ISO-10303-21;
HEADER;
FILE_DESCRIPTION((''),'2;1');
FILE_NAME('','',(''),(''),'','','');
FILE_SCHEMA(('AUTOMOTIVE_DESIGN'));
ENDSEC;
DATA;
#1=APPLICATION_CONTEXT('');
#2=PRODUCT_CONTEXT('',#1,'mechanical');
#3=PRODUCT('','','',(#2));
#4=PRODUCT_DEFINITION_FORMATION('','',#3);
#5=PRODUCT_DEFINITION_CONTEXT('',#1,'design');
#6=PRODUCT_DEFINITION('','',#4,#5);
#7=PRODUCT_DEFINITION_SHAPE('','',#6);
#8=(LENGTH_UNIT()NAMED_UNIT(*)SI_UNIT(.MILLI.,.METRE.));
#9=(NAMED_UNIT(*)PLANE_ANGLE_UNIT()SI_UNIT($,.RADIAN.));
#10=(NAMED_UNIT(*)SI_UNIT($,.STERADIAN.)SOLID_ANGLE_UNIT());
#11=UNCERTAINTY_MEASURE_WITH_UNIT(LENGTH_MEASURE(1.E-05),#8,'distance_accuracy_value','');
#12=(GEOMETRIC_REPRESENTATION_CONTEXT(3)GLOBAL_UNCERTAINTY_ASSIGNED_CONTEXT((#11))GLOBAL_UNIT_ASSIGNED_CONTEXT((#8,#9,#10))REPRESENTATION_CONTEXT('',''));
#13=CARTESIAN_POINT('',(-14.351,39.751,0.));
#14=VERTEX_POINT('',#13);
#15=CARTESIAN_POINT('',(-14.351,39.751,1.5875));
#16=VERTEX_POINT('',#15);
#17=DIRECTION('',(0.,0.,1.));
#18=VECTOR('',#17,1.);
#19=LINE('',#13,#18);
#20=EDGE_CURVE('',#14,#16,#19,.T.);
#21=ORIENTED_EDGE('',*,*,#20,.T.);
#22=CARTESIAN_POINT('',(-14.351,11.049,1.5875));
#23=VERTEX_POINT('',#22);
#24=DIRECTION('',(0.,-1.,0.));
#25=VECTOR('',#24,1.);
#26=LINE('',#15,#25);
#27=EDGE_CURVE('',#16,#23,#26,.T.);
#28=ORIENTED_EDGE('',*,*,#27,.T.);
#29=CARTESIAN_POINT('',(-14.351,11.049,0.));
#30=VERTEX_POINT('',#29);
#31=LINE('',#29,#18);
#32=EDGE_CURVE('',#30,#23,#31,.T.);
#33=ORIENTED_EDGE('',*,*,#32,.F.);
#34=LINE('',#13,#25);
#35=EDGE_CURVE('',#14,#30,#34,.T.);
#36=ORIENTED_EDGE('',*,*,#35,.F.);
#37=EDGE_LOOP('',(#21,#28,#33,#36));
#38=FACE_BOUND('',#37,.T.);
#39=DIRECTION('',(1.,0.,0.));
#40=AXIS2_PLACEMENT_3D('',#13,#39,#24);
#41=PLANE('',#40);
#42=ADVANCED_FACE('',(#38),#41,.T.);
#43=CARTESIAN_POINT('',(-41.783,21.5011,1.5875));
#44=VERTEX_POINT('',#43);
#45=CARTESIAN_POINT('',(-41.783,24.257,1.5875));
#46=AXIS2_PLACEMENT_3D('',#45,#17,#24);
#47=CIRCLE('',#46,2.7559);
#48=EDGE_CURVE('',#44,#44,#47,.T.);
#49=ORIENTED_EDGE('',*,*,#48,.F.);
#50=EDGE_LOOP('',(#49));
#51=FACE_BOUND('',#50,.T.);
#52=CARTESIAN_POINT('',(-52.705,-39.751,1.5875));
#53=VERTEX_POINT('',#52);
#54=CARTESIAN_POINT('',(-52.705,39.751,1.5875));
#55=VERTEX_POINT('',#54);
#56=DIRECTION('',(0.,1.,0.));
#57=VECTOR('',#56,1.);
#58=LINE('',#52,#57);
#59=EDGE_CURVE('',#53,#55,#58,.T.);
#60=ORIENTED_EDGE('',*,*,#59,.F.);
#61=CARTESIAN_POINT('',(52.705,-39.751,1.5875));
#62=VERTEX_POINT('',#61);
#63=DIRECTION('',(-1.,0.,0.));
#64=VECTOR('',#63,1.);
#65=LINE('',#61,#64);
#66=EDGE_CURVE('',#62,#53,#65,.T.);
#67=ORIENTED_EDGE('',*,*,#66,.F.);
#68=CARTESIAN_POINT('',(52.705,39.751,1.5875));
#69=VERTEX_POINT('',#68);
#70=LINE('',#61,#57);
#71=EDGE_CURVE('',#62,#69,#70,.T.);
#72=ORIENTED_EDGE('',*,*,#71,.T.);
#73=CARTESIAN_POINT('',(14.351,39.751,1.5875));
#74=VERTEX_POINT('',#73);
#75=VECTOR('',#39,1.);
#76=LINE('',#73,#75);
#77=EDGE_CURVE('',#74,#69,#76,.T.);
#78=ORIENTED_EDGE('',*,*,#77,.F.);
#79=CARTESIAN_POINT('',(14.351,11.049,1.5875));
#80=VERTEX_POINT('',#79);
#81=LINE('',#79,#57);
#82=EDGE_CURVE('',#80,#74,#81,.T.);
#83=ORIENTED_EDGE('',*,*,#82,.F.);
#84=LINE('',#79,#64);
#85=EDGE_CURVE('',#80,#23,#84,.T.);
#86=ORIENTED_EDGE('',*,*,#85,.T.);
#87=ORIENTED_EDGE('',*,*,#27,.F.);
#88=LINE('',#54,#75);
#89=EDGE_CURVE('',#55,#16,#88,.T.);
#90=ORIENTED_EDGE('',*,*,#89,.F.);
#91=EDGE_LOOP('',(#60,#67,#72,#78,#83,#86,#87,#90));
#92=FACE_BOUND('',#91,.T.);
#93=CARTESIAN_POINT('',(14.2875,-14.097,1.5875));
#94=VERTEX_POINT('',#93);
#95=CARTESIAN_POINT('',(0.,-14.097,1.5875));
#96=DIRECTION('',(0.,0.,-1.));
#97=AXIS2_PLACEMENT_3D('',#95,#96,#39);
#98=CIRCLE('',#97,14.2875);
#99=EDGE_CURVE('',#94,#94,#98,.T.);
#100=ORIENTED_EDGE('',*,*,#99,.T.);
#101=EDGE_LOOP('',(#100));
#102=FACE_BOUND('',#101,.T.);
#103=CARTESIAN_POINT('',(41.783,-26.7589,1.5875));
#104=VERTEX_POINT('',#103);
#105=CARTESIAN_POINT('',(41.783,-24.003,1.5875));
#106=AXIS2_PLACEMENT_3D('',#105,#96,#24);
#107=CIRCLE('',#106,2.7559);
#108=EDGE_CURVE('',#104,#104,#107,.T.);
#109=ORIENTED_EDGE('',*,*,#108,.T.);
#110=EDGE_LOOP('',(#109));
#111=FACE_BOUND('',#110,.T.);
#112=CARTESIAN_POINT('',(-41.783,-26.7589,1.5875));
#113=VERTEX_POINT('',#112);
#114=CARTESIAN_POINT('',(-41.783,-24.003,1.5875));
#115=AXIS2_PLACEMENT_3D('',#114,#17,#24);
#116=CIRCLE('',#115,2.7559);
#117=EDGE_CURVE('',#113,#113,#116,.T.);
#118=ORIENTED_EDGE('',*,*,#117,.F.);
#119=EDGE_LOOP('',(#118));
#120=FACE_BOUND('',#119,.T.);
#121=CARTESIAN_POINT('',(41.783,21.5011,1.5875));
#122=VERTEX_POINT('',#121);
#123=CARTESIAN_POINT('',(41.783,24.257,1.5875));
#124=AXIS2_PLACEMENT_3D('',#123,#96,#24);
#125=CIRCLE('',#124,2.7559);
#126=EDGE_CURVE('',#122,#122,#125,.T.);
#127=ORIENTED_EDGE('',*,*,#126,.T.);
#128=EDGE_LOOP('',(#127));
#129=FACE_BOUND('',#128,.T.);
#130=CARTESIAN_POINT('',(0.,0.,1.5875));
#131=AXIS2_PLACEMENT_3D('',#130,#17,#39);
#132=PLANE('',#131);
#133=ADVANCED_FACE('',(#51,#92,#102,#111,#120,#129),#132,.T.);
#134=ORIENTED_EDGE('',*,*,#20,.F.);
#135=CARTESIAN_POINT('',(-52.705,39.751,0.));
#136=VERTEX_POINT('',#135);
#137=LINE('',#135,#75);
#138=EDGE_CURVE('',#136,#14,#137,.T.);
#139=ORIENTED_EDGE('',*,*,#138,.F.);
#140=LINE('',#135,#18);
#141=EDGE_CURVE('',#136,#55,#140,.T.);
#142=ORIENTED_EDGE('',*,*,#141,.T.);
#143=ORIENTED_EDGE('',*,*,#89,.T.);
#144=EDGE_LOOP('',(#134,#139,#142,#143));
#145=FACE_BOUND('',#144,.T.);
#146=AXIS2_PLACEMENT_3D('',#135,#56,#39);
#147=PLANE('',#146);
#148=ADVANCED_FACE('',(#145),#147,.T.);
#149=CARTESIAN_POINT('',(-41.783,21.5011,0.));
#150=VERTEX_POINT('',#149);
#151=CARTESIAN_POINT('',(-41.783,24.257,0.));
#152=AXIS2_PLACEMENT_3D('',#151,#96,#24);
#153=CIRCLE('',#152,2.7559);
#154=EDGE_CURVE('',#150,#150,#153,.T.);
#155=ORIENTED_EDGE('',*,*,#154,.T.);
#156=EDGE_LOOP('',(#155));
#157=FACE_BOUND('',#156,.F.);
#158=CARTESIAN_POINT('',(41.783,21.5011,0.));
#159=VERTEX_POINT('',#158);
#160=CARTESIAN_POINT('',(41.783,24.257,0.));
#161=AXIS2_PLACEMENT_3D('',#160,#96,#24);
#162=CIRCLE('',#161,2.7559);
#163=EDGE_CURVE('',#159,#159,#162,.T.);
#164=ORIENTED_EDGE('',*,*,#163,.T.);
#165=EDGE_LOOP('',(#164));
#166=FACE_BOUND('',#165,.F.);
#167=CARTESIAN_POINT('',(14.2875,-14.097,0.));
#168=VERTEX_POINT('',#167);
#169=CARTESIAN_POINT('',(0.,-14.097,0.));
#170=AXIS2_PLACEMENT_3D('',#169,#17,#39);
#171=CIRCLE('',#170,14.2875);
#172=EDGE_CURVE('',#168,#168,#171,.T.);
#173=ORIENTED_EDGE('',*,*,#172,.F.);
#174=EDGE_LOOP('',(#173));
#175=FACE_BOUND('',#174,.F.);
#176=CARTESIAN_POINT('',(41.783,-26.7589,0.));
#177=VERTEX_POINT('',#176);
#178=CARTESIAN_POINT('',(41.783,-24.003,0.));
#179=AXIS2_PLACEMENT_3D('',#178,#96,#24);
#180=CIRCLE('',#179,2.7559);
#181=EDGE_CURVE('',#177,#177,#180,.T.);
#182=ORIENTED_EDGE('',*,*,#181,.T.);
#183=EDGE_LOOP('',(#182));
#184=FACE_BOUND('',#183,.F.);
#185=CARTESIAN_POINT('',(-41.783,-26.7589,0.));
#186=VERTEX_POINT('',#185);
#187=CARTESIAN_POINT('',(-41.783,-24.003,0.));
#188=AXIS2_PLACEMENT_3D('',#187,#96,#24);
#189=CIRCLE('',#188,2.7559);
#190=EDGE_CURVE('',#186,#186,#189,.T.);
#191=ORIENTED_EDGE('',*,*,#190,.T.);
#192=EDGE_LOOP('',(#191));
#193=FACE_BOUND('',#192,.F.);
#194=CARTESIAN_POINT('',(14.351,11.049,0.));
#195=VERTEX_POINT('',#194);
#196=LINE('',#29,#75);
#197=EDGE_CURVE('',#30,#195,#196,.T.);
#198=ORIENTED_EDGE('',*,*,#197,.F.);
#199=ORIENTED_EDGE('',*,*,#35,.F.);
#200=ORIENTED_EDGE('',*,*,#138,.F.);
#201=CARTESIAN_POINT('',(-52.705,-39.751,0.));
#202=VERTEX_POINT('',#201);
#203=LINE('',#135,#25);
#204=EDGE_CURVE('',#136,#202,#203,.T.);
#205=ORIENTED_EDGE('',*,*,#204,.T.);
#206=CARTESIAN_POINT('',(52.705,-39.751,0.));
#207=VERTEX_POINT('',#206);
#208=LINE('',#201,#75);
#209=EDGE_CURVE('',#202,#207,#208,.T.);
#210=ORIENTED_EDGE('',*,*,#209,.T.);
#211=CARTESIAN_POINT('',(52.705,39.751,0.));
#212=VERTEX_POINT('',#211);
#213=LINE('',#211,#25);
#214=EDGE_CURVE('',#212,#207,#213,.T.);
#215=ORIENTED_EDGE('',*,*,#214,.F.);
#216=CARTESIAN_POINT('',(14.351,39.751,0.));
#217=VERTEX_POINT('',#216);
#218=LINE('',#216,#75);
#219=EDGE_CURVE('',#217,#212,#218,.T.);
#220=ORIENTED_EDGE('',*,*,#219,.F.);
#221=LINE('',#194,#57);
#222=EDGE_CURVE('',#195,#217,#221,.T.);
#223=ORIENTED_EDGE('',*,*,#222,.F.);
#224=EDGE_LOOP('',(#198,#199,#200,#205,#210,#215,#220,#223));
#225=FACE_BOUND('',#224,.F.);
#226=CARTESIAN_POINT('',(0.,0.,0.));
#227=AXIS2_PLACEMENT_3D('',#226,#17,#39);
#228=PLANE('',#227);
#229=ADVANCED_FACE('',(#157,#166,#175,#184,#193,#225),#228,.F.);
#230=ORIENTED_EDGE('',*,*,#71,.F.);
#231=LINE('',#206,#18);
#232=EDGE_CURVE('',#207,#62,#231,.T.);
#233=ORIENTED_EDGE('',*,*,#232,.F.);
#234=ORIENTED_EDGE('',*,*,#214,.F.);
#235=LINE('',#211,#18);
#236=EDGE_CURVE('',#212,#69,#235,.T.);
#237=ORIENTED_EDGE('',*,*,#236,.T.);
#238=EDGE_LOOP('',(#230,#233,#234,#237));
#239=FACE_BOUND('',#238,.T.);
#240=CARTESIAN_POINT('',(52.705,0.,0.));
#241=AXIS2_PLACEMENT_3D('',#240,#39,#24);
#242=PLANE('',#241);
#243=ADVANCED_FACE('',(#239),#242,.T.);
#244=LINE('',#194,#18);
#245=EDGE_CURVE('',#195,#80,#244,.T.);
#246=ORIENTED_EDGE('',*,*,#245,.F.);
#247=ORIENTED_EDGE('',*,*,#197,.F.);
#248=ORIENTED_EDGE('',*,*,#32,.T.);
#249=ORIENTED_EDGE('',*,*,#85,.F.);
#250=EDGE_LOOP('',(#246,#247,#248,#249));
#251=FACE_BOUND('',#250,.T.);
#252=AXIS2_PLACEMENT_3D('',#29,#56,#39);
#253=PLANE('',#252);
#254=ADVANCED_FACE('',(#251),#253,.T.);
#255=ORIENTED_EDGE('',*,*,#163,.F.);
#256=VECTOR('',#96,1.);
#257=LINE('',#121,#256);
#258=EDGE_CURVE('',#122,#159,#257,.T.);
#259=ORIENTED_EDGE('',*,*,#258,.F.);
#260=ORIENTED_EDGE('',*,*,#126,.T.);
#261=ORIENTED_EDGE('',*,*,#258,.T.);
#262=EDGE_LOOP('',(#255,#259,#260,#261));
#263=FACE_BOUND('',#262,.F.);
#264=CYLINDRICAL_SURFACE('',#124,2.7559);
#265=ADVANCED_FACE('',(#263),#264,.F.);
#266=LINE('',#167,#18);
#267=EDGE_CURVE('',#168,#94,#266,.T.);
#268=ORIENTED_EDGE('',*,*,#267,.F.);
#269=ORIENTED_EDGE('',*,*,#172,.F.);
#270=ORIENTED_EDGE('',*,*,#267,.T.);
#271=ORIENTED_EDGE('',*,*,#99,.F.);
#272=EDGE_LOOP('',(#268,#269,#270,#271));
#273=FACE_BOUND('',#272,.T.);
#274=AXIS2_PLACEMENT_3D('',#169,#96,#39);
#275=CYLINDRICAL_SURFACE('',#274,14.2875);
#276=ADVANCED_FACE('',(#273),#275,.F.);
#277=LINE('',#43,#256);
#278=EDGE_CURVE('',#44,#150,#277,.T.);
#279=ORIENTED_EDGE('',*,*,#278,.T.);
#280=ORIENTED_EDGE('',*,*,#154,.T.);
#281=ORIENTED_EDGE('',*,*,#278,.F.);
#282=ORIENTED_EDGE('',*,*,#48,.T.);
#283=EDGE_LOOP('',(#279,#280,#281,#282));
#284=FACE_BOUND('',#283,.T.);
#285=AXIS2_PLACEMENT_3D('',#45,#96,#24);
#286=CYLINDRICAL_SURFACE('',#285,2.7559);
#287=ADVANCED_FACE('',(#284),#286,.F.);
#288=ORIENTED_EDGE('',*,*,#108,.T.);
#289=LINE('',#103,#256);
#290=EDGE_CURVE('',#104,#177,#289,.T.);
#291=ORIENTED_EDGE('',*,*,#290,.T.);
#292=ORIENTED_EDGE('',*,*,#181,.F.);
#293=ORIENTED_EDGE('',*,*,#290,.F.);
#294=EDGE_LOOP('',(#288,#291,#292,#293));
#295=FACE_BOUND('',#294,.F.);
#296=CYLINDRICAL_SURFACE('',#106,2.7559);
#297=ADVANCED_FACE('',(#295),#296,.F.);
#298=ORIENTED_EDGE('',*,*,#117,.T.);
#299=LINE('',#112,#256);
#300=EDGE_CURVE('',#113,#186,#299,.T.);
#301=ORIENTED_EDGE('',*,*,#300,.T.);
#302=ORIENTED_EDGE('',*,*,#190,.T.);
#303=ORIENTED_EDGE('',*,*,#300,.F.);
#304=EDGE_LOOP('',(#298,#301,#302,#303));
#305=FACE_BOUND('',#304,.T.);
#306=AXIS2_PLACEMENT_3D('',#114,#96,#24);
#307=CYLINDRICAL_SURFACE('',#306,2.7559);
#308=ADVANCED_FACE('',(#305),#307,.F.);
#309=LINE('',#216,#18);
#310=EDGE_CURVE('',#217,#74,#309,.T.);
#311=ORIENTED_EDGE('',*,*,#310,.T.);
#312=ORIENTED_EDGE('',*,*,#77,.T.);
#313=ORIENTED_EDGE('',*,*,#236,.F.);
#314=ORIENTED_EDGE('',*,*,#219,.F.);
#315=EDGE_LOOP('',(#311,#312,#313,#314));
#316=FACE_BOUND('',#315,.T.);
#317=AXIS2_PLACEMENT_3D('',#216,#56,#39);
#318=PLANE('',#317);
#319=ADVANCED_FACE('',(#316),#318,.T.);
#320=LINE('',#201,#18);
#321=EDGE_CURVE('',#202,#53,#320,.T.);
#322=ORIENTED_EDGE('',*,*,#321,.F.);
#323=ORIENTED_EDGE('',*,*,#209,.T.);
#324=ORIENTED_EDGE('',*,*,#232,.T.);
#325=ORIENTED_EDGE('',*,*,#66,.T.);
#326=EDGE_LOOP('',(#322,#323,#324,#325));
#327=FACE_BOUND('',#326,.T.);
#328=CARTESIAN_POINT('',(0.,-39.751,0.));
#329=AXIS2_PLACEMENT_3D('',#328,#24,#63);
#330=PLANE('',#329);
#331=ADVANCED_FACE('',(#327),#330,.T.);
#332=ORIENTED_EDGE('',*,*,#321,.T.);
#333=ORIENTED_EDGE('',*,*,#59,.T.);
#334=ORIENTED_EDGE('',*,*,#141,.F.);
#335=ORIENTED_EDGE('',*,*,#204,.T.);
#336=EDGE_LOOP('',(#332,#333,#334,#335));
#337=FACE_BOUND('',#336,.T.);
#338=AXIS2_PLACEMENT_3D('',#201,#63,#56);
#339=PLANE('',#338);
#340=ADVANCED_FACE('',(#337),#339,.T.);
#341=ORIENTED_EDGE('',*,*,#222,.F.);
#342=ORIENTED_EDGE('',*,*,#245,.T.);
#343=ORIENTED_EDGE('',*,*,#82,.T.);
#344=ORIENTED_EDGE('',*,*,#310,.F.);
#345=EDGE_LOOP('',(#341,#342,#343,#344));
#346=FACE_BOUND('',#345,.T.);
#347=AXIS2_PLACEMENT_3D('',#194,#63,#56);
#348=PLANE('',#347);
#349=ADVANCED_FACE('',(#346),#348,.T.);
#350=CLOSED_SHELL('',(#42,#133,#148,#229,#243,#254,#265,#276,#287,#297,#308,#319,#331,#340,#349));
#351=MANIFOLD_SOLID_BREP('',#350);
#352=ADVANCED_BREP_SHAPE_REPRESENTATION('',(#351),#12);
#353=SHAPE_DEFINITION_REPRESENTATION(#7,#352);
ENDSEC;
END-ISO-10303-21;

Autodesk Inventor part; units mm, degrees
ref_plane "YZ Plane" through (0, 0, 0) normal (1, 0, 0) x (0, 1, 0)
ref_plane "XZ Plane" through (0, 0, 0) normal (0, 1, 0) x (-1, 0, 0)
ref_plane "XY Plane" through (0, 0, 0) normal (0, 0, 1) x (1, 0, 0)
sketch "Sketch1" plane through (0, 0, 0) normal (0, 0, 1) x (1, 0, 0)
  line L0 (0, -55.6514) -> (0, 55.6514) projected
  line L1 (52.705, 39.751) -> (52.705, -39.751)
  line L2 (52.705, -39.751) -> (-52.705, -39.751)
  line L3 (-52.705, -39.751) -> (-52.705, 39.751)
  line L4 (-73.787, 0) -> (73.787, 0) projected
  line L5 (-14.351, 39.751) -> (-14.351, 11.049)
  line L6 (-14.351, 11.049) -> (14.351, 11.049)
  line L7 (14.351, 11.049) -> (14.351, 39.751)
  line L8 (-52.705, 39.751) -> (-14.351, 39.751)
  line L9 (14.351, 39.751) -> (52.705, 39.751)
  line L10 (0, -39.751) -> (0, -14.097)
  circle A0 centre (0, -14.097) radius 14.2875
  point P0 (0, 0)
  dimension "d0" = 105.41
  dimension "d1" = 79.502
  dimension "d2" = 28.702
  dimension "d3" = 28.702
  dimension "d4" = 25.654
  dimension "d5" = 28.575
extrude "Extrusion1" add sketch "Sketch1" along normal blind 1.5875 contours L2 L3 L4 A0 L0 | L0 A0 L4 L1 L2 | L4 L3 L8 L5 L6 L0 A0 | L4 A0 L0 L6 L7 L9 L1
sketch "Sketch2" plane through (0, 0, 1.5875) normal (0, 0, 1) x (1, 0, 0)
  line L0 (52.705, -39.751) -> (52.705, 39.751) projected
  line L1 (-52.705, -39.751) -> (52.705, -39.751) projected
  point P0 (0, 0)
  point P1 (41.783, 24.257)
  point P2 (41.783, -24.003)
  dimension "d15" = 48.26
  dimension "d16" = 10.922
  dimension "d17" = 10.922
  dimension "d18" = 15.748
hole "Hole1" at (41.783, 24.257, 1.5875) at (41.783, -24.003, 1.5875) direction (0, 0, -1) diameter 5.5118 end through all clearance for "Flat Head Machine Screw" size "M5" standard "Ansi Metric M Profile"
mirror "Mirror1" about plane through (0, 0, 0) normal (1, 0, 0) of "Hole1"
properties part number "DIFF_ROD"
